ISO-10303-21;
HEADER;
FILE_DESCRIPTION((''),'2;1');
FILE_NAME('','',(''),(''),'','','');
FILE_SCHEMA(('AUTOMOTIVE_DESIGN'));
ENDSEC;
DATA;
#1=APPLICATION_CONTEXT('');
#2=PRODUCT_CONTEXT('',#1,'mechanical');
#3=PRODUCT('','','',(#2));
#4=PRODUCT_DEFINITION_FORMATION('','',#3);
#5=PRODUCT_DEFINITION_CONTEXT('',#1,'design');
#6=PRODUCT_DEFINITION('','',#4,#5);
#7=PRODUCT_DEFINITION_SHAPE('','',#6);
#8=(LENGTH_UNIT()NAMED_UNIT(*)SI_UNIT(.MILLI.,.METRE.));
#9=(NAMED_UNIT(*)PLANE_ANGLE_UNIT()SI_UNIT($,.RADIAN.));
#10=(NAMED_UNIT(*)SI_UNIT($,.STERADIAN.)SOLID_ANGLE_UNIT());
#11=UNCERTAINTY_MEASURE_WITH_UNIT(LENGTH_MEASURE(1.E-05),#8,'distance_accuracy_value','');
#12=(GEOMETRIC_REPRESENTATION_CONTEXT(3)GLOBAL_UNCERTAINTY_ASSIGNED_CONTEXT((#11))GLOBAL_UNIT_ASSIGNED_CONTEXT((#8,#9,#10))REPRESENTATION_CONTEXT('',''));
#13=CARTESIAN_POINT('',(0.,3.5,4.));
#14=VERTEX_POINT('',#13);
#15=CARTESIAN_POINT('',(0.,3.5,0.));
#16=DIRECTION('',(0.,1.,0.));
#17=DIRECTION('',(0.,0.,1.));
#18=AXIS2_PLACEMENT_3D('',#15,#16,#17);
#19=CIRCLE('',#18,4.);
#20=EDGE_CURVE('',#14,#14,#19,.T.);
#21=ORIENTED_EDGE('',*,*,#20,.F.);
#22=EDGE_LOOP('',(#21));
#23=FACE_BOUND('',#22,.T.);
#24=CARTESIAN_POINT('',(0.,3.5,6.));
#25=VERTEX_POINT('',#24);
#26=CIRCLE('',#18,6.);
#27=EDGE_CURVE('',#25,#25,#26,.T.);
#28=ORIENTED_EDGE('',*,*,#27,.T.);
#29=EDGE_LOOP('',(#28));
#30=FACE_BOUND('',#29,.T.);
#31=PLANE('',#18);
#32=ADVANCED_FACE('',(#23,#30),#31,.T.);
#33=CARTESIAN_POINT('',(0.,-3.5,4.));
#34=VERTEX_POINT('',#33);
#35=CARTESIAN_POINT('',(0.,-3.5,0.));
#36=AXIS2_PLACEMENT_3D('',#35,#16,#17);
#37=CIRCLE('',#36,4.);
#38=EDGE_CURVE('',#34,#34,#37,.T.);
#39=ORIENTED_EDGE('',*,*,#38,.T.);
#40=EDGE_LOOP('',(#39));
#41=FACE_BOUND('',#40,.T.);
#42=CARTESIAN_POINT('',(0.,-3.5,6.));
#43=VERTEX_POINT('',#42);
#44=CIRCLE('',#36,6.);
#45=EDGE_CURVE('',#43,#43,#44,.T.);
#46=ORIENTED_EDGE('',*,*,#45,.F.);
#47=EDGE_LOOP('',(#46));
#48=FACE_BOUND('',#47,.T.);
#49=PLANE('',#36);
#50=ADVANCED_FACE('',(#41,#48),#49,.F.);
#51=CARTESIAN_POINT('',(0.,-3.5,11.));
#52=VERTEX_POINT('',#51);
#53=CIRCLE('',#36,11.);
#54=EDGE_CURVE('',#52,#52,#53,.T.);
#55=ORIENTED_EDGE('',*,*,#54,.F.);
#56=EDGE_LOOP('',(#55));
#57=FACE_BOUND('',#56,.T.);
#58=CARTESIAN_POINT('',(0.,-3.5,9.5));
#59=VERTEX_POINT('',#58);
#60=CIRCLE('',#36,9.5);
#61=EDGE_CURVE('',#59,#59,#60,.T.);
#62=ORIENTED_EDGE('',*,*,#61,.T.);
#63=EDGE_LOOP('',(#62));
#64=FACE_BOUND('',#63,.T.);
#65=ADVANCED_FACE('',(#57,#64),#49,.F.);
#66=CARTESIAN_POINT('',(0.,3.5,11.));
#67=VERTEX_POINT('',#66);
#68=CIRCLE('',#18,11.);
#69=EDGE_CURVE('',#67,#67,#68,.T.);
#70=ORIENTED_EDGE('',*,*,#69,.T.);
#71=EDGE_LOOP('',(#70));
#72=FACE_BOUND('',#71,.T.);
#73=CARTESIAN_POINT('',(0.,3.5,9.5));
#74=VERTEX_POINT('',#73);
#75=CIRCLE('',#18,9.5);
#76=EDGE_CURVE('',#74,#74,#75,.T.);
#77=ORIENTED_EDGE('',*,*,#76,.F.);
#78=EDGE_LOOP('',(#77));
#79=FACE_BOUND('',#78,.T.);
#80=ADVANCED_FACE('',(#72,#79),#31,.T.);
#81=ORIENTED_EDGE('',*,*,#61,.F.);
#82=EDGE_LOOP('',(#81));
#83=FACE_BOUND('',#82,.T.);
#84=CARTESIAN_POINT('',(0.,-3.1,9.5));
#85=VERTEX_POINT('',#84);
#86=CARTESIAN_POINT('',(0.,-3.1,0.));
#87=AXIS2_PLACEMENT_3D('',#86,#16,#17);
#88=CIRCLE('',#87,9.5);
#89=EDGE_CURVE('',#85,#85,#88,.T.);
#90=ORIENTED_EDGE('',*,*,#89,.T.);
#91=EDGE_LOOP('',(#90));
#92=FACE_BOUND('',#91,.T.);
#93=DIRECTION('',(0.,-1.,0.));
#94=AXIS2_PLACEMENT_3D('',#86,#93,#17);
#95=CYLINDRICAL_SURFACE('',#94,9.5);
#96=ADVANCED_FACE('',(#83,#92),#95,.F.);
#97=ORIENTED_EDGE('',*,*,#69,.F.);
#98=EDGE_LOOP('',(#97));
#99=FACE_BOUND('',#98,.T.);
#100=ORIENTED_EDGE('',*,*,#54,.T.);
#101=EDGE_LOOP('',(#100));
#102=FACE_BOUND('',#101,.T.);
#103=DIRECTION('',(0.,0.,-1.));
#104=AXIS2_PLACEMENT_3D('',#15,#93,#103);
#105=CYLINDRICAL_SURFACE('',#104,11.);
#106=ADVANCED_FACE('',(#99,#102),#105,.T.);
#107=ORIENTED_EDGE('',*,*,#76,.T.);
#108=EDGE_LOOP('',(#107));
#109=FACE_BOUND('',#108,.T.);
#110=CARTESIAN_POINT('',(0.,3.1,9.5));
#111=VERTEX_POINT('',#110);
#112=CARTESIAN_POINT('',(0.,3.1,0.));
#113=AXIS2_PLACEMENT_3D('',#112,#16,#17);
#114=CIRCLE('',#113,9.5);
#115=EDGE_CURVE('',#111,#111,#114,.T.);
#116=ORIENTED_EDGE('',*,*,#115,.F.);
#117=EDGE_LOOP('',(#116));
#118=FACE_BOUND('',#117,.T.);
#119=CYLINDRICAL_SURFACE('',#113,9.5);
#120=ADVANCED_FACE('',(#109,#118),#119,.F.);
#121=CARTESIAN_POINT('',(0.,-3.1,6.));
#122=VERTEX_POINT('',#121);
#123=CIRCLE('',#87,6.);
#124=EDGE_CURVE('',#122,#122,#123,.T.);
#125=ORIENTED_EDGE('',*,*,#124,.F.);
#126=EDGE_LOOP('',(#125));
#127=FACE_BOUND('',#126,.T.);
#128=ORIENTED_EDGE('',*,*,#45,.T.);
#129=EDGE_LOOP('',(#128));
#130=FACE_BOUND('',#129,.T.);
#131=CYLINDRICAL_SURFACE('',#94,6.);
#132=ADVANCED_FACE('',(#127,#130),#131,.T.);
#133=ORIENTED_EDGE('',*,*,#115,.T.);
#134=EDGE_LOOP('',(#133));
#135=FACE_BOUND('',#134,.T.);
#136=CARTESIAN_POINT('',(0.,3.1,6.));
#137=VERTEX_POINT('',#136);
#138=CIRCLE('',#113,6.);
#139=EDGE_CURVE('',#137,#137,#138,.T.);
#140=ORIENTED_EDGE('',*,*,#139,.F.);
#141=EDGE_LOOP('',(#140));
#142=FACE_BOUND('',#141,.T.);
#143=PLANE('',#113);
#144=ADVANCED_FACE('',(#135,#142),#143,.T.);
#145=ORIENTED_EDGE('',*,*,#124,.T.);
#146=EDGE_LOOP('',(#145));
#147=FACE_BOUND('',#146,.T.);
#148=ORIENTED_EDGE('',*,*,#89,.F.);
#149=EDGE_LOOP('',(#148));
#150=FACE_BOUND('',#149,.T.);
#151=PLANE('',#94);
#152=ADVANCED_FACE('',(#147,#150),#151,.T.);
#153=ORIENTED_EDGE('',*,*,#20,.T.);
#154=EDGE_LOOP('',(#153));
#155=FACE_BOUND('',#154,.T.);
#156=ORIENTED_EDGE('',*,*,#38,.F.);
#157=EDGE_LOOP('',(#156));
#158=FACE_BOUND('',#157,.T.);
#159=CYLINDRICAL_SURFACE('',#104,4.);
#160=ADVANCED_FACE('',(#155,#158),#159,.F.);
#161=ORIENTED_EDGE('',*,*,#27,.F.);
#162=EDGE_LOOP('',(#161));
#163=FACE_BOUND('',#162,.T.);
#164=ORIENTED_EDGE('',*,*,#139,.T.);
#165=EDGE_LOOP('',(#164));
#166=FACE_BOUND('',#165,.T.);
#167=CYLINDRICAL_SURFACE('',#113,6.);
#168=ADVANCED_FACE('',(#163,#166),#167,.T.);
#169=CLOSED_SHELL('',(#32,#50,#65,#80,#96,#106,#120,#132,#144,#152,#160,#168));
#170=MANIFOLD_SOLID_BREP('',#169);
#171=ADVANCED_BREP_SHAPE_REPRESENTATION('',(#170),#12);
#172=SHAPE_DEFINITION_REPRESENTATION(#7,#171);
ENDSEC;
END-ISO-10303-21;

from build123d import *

# Parameters (mm, degrees)
SKETCH_1_R          = 11
SKETCH_1_R_2        = 4
EXTRUDE_1_DEPTH     = 3.5
CUT_EXTRUDE_START   = 3.5
SKETCH_2_R          = 9.5
SKETCH_2_R_2        = 6
CUT_EXTRUDE_1_DEPTH = 0.4


with BuildPart() as part:
    # 草圖1 → 填料-伸長1 (new body, symmetric)
    with BuildSketch(Plane(origin=(0, 0, 0), x_dir=(1, 0, 0), z_dir=(0, 1, 0))):
        Circle(SKETCH_1_R)
        Circle(SKETCH_1_R_2, mode=Mode.SUBTRACT)
    extrude(amount=EXTRUDE_1_DEPTH, both=True)

    # 草圖2 → 除料-伸長1 (cut)
    with BuildSketch(Plane(origin=(0, 0, 0), x_dir=(1, 0, 0), z_dir=(0, 1, 0)).offset(CUT_EXTRUDE_START)):
        Circle(SKETCH_2_R)
        Circle(SKETCH_2_R_2, mode=Mode.SUBTRACT)
    cut_extrude_1 = extrude(amount=-CUT_EXTRUDE_1_DEPTH, mode=Mode.SUBTRACT)

    # 鏡射4: 除料-伸長1 across plane
    add(cut_extrude_1.mirror(Plane.ZX), mode=Mode.SUBTRACT)


solid = part.part
